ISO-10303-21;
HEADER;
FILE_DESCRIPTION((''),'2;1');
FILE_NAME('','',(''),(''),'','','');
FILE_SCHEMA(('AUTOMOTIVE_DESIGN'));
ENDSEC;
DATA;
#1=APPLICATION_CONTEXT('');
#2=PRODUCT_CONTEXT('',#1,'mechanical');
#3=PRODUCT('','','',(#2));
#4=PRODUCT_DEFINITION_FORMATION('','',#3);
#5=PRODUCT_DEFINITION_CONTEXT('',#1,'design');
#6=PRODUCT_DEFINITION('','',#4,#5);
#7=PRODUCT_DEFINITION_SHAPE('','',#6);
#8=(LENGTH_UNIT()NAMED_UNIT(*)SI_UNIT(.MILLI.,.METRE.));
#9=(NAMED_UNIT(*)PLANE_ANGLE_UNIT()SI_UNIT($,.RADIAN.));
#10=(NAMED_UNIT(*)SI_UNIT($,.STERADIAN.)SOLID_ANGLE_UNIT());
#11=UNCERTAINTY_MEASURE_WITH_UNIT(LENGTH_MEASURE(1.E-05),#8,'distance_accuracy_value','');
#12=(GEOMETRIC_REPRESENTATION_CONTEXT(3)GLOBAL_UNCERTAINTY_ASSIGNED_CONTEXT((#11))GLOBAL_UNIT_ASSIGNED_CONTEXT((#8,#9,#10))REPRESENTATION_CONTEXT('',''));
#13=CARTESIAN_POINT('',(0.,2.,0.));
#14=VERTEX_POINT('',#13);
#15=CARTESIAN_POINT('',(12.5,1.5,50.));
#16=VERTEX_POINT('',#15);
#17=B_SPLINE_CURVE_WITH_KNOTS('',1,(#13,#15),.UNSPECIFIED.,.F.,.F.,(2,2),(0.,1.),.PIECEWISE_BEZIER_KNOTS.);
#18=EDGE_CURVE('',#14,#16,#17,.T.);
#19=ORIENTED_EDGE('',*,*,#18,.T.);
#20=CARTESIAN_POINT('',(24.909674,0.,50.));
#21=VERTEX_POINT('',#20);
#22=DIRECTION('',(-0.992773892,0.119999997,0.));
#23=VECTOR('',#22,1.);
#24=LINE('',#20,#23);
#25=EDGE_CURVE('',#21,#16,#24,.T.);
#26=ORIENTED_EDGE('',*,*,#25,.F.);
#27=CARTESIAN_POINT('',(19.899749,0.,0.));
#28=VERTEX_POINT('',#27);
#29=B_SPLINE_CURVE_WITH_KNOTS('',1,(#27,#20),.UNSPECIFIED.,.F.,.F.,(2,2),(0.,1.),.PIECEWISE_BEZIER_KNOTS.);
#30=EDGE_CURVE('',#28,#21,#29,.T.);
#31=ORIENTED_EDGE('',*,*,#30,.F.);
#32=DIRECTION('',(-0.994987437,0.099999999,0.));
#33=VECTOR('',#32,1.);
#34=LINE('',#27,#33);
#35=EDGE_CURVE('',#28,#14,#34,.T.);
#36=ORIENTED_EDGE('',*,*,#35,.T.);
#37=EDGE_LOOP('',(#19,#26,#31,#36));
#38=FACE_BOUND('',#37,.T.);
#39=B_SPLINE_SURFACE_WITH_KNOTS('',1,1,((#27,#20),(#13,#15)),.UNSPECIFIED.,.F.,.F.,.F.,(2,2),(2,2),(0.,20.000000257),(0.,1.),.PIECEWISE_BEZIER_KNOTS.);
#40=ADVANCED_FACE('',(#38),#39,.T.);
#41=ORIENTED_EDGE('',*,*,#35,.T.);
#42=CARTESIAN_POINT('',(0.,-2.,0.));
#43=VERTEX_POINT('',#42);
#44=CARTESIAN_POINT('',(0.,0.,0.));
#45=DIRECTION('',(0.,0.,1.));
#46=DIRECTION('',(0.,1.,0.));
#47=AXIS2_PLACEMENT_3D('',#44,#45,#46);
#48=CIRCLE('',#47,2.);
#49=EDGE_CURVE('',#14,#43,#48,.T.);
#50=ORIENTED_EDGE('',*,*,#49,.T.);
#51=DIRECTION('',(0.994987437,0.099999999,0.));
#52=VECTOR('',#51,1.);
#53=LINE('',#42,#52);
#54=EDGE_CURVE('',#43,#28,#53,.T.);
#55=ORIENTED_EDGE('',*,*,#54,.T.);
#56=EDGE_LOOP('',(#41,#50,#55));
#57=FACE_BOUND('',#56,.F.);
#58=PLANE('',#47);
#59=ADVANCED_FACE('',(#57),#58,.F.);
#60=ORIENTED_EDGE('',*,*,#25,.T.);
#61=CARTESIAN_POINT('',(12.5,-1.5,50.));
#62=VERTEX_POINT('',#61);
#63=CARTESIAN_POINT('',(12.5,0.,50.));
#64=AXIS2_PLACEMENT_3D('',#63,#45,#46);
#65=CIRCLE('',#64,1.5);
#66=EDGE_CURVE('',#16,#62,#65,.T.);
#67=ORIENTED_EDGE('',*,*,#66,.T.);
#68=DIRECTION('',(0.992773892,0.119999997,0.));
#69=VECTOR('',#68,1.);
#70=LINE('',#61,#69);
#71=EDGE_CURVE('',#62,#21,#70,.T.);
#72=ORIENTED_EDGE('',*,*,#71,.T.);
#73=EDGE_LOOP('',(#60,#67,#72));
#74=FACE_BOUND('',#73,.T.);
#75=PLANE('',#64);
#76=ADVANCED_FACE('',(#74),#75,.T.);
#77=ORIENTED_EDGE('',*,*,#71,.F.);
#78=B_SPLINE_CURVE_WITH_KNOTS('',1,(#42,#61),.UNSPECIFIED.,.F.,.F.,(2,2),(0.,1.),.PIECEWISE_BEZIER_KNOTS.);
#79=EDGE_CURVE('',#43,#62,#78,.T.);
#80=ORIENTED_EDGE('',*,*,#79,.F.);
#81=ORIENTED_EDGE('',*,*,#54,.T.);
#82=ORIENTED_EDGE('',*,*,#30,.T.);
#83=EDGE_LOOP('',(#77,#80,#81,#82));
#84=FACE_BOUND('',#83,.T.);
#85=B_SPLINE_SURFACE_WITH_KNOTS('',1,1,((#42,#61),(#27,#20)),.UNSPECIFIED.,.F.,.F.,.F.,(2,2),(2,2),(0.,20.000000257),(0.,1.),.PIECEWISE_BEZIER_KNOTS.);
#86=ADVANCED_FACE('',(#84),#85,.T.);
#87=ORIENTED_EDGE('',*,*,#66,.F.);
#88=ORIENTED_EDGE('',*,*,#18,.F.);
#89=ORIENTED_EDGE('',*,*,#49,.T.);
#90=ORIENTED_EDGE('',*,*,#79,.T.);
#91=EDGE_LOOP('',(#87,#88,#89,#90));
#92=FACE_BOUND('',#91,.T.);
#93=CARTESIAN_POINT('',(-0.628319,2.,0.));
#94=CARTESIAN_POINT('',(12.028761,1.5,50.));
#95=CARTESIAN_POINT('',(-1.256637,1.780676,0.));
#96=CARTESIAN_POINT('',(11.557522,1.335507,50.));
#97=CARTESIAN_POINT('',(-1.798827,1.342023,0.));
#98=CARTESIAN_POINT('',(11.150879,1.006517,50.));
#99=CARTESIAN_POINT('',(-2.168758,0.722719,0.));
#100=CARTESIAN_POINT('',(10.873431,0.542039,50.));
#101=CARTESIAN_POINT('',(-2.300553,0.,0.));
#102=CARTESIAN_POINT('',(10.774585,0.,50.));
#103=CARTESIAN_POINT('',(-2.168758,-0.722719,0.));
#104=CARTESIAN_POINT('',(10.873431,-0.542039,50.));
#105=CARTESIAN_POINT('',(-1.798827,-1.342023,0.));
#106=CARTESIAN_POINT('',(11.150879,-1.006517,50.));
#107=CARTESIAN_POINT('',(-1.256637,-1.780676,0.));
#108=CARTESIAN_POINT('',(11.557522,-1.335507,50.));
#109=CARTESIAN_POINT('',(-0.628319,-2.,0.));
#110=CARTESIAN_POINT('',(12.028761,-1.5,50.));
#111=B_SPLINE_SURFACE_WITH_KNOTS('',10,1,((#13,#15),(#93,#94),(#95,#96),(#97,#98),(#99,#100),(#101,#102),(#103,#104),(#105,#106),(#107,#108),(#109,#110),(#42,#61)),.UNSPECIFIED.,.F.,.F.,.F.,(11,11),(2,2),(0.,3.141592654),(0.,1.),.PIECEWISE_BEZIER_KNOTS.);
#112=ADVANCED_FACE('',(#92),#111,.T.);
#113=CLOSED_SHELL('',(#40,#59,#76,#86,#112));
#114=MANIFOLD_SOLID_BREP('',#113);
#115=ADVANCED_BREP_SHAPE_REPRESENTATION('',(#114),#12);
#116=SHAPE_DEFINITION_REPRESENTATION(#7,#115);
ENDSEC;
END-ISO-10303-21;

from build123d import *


with BuildPart() as f3:
    # F0 (on Top) → F3 section 0
    with BuildSketch(Plane.XY):
        with BuildLine():
            Line((19.899749, 0), (0, 2))
            ThreePointArc((0, 2), (-2, 0), (0, -2))
            Line((0, -2), (19.899749, 0))
        make_face()
    # F2 (on offset) → F3 section 1
    with BuildSketch(Plane.XY.offset(50)):
        with BuildLine():
            Line((24.909674, 0), (12.5, 1.5))
            ThreePointArc((12.5, 1.5), (11, 0), (12.5, -1.5))
            Line((12.5, -1.5), (24.909674, 0))
        make_face()
    loft()


solid = f3.part
